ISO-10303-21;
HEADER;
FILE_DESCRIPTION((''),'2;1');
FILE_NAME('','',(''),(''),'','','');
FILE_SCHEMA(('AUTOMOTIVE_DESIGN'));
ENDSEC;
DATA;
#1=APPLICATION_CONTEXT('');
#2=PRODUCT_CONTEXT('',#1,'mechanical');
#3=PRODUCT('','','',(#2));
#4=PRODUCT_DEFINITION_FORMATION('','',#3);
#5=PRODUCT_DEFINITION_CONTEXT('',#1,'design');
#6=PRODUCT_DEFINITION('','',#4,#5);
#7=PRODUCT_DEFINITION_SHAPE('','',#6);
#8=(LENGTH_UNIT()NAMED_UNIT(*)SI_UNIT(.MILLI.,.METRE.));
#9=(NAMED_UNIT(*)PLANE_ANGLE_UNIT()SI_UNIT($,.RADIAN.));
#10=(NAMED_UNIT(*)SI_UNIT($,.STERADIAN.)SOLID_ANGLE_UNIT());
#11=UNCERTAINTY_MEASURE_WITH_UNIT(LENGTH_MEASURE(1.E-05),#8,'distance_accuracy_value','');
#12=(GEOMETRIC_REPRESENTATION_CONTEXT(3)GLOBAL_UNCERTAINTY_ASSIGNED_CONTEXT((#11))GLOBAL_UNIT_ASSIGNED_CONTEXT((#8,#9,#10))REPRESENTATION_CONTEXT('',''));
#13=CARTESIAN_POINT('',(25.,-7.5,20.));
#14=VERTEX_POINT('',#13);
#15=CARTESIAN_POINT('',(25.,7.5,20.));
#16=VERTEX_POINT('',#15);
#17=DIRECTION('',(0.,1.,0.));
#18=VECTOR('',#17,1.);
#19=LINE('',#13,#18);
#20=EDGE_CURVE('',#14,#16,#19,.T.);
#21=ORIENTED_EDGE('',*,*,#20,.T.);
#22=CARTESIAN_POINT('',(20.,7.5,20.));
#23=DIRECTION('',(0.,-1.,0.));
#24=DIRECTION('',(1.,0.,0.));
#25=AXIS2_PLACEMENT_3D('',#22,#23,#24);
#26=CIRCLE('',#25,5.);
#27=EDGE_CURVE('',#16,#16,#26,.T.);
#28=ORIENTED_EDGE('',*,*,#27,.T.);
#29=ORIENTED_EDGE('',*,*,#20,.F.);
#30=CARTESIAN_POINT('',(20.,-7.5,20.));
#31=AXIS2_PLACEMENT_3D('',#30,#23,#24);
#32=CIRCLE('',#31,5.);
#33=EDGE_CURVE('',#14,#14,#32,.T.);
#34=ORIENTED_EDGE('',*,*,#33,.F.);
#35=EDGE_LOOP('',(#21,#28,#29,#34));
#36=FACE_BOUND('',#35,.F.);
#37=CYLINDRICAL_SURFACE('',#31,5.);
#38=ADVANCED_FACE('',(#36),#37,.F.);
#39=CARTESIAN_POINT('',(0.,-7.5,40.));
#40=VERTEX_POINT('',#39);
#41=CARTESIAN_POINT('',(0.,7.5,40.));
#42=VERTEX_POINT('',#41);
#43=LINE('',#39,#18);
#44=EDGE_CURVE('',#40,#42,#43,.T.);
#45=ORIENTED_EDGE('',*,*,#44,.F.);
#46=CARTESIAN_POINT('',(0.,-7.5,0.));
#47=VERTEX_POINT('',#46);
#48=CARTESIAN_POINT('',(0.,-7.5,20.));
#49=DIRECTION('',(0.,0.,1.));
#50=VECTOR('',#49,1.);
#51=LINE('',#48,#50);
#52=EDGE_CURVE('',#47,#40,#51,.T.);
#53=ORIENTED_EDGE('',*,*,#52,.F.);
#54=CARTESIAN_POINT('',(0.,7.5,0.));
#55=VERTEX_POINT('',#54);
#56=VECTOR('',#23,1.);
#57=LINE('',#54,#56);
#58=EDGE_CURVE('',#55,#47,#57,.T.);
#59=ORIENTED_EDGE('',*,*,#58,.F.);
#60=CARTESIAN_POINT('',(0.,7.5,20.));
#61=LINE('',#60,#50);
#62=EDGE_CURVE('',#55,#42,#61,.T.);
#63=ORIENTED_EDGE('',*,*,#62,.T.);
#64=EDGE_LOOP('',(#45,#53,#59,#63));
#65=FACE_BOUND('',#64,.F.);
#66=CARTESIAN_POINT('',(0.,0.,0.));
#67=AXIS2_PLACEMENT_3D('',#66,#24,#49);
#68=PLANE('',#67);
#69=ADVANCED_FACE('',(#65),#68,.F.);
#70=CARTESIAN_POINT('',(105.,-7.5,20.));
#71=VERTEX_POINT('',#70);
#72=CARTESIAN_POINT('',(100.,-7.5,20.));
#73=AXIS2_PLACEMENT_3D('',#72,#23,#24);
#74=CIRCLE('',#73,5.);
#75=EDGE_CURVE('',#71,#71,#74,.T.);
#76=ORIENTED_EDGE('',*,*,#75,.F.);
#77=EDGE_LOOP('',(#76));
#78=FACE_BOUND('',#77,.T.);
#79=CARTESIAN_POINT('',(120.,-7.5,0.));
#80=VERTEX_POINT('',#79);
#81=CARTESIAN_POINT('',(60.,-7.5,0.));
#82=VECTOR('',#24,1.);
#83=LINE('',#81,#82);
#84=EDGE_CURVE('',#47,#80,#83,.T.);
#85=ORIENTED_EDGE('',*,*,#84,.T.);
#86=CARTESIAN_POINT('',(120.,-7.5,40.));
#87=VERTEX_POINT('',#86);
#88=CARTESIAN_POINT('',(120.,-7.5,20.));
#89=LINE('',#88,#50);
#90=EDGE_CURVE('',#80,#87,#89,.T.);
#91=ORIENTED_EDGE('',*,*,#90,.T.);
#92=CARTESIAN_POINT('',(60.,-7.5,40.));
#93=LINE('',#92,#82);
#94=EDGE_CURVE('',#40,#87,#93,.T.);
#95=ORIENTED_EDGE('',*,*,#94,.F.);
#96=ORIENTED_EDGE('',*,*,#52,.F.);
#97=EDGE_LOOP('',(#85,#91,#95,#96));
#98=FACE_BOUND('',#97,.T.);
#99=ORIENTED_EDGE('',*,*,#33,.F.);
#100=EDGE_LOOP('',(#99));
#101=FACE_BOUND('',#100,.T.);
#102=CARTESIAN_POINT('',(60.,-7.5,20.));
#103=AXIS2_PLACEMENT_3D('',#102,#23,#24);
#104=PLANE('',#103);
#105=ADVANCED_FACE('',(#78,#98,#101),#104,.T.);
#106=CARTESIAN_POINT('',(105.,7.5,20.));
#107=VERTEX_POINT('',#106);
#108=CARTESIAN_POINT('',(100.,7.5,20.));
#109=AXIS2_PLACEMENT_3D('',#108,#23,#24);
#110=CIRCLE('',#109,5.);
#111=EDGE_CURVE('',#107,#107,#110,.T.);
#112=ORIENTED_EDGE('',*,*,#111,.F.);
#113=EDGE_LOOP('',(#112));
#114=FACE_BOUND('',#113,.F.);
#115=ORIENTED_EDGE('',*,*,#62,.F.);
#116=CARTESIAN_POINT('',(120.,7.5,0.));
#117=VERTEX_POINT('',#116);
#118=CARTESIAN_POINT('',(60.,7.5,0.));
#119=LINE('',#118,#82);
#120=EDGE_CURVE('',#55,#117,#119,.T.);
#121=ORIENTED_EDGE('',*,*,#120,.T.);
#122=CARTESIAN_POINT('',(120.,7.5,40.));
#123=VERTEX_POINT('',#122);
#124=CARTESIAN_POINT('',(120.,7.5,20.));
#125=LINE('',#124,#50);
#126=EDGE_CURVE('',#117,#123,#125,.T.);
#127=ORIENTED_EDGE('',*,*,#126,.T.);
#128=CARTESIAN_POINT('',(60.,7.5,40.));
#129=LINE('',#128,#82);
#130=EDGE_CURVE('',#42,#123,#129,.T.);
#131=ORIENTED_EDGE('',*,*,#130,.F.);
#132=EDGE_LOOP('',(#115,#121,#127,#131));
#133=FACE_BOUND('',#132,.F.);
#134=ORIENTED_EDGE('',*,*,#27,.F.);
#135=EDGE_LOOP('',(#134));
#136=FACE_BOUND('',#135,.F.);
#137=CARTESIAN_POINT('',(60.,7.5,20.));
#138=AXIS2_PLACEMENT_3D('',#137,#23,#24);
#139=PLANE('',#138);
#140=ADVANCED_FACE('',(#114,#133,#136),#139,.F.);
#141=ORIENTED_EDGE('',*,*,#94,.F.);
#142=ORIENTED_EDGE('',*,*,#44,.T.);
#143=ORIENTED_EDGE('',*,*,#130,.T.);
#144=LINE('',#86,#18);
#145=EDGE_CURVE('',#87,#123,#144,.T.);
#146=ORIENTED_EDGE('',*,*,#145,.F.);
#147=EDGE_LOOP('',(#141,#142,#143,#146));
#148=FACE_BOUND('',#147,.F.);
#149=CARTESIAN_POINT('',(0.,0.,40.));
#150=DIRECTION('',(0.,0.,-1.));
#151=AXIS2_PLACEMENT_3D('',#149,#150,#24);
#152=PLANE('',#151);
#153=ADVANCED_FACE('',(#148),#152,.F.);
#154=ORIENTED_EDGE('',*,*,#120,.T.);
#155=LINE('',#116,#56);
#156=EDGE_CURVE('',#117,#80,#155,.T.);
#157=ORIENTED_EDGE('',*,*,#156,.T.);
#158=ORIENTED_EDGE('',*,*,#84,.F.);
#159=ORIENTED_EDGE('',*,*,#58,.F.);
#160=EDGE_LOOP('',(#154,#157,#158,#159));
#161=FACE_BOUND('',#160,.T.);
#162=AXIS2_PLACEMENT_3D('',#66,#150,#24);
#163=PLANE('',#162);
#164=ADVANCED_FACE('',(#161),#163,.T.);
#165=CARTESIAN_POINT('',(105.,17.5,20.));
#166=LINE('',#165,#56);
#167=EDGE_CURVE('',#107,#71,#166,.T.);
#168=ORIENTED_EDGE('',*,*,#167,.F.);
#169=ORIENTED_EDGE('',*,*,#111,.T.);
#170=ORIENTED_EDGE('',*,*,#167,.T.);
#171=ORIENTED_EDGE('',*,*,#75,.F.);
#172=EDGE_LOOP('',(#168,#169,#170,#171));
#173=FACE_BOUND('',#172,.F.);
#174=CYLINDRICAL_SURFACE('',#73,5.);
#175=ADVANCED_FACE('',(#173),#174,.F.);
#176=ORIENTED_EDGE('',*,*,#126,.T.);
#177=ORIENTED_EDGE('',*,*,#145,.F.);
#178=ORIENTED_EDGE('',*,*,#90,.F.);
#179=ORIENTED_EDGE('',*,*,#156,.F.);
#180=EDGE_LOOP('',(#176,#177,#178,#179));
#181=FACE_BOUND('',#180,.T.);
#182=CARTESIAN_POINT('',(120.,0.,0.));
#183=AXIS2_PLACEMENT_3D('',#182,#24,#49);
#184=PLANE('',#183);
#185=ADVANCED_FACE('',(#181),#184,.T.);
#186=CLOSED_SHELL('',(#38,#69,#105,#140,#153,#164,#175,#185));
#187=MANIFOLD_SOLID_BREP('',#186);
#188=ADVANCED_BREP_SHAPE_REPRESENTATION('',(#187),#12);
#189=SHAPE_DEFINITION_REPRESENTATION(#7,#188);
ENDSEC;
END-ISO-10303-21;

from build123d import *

# Parameters (mm, degrees)
F0_W     = 120
F0_H     = 40
F1_DEPTH = 7.5
F2_R     = 5
F3_DEPTH = 25


with BuildPart() as f1:
    # F0 (on Front) → F1 (new body, symmetric)
    with BuildSketch(Plane.XZ):
        with Locations((60, 20)):
            Rectangle(F0_W, F0_H)
    extrude(amount=F1_DEPTH, both=True)

    # F2 (on face) → F3 (cut, symmetric)
    with BuildSketch(Plane.XZ.offset(7.5)):
        with Locations((20, 20)):
            Circle(F2_R)
        with Locations((100, 20)):
            Circle(F2_R)
    extrude(amount=F3_DEPTH, both=True, mode=Mode.SUBTRACT)


solid = f1.part
